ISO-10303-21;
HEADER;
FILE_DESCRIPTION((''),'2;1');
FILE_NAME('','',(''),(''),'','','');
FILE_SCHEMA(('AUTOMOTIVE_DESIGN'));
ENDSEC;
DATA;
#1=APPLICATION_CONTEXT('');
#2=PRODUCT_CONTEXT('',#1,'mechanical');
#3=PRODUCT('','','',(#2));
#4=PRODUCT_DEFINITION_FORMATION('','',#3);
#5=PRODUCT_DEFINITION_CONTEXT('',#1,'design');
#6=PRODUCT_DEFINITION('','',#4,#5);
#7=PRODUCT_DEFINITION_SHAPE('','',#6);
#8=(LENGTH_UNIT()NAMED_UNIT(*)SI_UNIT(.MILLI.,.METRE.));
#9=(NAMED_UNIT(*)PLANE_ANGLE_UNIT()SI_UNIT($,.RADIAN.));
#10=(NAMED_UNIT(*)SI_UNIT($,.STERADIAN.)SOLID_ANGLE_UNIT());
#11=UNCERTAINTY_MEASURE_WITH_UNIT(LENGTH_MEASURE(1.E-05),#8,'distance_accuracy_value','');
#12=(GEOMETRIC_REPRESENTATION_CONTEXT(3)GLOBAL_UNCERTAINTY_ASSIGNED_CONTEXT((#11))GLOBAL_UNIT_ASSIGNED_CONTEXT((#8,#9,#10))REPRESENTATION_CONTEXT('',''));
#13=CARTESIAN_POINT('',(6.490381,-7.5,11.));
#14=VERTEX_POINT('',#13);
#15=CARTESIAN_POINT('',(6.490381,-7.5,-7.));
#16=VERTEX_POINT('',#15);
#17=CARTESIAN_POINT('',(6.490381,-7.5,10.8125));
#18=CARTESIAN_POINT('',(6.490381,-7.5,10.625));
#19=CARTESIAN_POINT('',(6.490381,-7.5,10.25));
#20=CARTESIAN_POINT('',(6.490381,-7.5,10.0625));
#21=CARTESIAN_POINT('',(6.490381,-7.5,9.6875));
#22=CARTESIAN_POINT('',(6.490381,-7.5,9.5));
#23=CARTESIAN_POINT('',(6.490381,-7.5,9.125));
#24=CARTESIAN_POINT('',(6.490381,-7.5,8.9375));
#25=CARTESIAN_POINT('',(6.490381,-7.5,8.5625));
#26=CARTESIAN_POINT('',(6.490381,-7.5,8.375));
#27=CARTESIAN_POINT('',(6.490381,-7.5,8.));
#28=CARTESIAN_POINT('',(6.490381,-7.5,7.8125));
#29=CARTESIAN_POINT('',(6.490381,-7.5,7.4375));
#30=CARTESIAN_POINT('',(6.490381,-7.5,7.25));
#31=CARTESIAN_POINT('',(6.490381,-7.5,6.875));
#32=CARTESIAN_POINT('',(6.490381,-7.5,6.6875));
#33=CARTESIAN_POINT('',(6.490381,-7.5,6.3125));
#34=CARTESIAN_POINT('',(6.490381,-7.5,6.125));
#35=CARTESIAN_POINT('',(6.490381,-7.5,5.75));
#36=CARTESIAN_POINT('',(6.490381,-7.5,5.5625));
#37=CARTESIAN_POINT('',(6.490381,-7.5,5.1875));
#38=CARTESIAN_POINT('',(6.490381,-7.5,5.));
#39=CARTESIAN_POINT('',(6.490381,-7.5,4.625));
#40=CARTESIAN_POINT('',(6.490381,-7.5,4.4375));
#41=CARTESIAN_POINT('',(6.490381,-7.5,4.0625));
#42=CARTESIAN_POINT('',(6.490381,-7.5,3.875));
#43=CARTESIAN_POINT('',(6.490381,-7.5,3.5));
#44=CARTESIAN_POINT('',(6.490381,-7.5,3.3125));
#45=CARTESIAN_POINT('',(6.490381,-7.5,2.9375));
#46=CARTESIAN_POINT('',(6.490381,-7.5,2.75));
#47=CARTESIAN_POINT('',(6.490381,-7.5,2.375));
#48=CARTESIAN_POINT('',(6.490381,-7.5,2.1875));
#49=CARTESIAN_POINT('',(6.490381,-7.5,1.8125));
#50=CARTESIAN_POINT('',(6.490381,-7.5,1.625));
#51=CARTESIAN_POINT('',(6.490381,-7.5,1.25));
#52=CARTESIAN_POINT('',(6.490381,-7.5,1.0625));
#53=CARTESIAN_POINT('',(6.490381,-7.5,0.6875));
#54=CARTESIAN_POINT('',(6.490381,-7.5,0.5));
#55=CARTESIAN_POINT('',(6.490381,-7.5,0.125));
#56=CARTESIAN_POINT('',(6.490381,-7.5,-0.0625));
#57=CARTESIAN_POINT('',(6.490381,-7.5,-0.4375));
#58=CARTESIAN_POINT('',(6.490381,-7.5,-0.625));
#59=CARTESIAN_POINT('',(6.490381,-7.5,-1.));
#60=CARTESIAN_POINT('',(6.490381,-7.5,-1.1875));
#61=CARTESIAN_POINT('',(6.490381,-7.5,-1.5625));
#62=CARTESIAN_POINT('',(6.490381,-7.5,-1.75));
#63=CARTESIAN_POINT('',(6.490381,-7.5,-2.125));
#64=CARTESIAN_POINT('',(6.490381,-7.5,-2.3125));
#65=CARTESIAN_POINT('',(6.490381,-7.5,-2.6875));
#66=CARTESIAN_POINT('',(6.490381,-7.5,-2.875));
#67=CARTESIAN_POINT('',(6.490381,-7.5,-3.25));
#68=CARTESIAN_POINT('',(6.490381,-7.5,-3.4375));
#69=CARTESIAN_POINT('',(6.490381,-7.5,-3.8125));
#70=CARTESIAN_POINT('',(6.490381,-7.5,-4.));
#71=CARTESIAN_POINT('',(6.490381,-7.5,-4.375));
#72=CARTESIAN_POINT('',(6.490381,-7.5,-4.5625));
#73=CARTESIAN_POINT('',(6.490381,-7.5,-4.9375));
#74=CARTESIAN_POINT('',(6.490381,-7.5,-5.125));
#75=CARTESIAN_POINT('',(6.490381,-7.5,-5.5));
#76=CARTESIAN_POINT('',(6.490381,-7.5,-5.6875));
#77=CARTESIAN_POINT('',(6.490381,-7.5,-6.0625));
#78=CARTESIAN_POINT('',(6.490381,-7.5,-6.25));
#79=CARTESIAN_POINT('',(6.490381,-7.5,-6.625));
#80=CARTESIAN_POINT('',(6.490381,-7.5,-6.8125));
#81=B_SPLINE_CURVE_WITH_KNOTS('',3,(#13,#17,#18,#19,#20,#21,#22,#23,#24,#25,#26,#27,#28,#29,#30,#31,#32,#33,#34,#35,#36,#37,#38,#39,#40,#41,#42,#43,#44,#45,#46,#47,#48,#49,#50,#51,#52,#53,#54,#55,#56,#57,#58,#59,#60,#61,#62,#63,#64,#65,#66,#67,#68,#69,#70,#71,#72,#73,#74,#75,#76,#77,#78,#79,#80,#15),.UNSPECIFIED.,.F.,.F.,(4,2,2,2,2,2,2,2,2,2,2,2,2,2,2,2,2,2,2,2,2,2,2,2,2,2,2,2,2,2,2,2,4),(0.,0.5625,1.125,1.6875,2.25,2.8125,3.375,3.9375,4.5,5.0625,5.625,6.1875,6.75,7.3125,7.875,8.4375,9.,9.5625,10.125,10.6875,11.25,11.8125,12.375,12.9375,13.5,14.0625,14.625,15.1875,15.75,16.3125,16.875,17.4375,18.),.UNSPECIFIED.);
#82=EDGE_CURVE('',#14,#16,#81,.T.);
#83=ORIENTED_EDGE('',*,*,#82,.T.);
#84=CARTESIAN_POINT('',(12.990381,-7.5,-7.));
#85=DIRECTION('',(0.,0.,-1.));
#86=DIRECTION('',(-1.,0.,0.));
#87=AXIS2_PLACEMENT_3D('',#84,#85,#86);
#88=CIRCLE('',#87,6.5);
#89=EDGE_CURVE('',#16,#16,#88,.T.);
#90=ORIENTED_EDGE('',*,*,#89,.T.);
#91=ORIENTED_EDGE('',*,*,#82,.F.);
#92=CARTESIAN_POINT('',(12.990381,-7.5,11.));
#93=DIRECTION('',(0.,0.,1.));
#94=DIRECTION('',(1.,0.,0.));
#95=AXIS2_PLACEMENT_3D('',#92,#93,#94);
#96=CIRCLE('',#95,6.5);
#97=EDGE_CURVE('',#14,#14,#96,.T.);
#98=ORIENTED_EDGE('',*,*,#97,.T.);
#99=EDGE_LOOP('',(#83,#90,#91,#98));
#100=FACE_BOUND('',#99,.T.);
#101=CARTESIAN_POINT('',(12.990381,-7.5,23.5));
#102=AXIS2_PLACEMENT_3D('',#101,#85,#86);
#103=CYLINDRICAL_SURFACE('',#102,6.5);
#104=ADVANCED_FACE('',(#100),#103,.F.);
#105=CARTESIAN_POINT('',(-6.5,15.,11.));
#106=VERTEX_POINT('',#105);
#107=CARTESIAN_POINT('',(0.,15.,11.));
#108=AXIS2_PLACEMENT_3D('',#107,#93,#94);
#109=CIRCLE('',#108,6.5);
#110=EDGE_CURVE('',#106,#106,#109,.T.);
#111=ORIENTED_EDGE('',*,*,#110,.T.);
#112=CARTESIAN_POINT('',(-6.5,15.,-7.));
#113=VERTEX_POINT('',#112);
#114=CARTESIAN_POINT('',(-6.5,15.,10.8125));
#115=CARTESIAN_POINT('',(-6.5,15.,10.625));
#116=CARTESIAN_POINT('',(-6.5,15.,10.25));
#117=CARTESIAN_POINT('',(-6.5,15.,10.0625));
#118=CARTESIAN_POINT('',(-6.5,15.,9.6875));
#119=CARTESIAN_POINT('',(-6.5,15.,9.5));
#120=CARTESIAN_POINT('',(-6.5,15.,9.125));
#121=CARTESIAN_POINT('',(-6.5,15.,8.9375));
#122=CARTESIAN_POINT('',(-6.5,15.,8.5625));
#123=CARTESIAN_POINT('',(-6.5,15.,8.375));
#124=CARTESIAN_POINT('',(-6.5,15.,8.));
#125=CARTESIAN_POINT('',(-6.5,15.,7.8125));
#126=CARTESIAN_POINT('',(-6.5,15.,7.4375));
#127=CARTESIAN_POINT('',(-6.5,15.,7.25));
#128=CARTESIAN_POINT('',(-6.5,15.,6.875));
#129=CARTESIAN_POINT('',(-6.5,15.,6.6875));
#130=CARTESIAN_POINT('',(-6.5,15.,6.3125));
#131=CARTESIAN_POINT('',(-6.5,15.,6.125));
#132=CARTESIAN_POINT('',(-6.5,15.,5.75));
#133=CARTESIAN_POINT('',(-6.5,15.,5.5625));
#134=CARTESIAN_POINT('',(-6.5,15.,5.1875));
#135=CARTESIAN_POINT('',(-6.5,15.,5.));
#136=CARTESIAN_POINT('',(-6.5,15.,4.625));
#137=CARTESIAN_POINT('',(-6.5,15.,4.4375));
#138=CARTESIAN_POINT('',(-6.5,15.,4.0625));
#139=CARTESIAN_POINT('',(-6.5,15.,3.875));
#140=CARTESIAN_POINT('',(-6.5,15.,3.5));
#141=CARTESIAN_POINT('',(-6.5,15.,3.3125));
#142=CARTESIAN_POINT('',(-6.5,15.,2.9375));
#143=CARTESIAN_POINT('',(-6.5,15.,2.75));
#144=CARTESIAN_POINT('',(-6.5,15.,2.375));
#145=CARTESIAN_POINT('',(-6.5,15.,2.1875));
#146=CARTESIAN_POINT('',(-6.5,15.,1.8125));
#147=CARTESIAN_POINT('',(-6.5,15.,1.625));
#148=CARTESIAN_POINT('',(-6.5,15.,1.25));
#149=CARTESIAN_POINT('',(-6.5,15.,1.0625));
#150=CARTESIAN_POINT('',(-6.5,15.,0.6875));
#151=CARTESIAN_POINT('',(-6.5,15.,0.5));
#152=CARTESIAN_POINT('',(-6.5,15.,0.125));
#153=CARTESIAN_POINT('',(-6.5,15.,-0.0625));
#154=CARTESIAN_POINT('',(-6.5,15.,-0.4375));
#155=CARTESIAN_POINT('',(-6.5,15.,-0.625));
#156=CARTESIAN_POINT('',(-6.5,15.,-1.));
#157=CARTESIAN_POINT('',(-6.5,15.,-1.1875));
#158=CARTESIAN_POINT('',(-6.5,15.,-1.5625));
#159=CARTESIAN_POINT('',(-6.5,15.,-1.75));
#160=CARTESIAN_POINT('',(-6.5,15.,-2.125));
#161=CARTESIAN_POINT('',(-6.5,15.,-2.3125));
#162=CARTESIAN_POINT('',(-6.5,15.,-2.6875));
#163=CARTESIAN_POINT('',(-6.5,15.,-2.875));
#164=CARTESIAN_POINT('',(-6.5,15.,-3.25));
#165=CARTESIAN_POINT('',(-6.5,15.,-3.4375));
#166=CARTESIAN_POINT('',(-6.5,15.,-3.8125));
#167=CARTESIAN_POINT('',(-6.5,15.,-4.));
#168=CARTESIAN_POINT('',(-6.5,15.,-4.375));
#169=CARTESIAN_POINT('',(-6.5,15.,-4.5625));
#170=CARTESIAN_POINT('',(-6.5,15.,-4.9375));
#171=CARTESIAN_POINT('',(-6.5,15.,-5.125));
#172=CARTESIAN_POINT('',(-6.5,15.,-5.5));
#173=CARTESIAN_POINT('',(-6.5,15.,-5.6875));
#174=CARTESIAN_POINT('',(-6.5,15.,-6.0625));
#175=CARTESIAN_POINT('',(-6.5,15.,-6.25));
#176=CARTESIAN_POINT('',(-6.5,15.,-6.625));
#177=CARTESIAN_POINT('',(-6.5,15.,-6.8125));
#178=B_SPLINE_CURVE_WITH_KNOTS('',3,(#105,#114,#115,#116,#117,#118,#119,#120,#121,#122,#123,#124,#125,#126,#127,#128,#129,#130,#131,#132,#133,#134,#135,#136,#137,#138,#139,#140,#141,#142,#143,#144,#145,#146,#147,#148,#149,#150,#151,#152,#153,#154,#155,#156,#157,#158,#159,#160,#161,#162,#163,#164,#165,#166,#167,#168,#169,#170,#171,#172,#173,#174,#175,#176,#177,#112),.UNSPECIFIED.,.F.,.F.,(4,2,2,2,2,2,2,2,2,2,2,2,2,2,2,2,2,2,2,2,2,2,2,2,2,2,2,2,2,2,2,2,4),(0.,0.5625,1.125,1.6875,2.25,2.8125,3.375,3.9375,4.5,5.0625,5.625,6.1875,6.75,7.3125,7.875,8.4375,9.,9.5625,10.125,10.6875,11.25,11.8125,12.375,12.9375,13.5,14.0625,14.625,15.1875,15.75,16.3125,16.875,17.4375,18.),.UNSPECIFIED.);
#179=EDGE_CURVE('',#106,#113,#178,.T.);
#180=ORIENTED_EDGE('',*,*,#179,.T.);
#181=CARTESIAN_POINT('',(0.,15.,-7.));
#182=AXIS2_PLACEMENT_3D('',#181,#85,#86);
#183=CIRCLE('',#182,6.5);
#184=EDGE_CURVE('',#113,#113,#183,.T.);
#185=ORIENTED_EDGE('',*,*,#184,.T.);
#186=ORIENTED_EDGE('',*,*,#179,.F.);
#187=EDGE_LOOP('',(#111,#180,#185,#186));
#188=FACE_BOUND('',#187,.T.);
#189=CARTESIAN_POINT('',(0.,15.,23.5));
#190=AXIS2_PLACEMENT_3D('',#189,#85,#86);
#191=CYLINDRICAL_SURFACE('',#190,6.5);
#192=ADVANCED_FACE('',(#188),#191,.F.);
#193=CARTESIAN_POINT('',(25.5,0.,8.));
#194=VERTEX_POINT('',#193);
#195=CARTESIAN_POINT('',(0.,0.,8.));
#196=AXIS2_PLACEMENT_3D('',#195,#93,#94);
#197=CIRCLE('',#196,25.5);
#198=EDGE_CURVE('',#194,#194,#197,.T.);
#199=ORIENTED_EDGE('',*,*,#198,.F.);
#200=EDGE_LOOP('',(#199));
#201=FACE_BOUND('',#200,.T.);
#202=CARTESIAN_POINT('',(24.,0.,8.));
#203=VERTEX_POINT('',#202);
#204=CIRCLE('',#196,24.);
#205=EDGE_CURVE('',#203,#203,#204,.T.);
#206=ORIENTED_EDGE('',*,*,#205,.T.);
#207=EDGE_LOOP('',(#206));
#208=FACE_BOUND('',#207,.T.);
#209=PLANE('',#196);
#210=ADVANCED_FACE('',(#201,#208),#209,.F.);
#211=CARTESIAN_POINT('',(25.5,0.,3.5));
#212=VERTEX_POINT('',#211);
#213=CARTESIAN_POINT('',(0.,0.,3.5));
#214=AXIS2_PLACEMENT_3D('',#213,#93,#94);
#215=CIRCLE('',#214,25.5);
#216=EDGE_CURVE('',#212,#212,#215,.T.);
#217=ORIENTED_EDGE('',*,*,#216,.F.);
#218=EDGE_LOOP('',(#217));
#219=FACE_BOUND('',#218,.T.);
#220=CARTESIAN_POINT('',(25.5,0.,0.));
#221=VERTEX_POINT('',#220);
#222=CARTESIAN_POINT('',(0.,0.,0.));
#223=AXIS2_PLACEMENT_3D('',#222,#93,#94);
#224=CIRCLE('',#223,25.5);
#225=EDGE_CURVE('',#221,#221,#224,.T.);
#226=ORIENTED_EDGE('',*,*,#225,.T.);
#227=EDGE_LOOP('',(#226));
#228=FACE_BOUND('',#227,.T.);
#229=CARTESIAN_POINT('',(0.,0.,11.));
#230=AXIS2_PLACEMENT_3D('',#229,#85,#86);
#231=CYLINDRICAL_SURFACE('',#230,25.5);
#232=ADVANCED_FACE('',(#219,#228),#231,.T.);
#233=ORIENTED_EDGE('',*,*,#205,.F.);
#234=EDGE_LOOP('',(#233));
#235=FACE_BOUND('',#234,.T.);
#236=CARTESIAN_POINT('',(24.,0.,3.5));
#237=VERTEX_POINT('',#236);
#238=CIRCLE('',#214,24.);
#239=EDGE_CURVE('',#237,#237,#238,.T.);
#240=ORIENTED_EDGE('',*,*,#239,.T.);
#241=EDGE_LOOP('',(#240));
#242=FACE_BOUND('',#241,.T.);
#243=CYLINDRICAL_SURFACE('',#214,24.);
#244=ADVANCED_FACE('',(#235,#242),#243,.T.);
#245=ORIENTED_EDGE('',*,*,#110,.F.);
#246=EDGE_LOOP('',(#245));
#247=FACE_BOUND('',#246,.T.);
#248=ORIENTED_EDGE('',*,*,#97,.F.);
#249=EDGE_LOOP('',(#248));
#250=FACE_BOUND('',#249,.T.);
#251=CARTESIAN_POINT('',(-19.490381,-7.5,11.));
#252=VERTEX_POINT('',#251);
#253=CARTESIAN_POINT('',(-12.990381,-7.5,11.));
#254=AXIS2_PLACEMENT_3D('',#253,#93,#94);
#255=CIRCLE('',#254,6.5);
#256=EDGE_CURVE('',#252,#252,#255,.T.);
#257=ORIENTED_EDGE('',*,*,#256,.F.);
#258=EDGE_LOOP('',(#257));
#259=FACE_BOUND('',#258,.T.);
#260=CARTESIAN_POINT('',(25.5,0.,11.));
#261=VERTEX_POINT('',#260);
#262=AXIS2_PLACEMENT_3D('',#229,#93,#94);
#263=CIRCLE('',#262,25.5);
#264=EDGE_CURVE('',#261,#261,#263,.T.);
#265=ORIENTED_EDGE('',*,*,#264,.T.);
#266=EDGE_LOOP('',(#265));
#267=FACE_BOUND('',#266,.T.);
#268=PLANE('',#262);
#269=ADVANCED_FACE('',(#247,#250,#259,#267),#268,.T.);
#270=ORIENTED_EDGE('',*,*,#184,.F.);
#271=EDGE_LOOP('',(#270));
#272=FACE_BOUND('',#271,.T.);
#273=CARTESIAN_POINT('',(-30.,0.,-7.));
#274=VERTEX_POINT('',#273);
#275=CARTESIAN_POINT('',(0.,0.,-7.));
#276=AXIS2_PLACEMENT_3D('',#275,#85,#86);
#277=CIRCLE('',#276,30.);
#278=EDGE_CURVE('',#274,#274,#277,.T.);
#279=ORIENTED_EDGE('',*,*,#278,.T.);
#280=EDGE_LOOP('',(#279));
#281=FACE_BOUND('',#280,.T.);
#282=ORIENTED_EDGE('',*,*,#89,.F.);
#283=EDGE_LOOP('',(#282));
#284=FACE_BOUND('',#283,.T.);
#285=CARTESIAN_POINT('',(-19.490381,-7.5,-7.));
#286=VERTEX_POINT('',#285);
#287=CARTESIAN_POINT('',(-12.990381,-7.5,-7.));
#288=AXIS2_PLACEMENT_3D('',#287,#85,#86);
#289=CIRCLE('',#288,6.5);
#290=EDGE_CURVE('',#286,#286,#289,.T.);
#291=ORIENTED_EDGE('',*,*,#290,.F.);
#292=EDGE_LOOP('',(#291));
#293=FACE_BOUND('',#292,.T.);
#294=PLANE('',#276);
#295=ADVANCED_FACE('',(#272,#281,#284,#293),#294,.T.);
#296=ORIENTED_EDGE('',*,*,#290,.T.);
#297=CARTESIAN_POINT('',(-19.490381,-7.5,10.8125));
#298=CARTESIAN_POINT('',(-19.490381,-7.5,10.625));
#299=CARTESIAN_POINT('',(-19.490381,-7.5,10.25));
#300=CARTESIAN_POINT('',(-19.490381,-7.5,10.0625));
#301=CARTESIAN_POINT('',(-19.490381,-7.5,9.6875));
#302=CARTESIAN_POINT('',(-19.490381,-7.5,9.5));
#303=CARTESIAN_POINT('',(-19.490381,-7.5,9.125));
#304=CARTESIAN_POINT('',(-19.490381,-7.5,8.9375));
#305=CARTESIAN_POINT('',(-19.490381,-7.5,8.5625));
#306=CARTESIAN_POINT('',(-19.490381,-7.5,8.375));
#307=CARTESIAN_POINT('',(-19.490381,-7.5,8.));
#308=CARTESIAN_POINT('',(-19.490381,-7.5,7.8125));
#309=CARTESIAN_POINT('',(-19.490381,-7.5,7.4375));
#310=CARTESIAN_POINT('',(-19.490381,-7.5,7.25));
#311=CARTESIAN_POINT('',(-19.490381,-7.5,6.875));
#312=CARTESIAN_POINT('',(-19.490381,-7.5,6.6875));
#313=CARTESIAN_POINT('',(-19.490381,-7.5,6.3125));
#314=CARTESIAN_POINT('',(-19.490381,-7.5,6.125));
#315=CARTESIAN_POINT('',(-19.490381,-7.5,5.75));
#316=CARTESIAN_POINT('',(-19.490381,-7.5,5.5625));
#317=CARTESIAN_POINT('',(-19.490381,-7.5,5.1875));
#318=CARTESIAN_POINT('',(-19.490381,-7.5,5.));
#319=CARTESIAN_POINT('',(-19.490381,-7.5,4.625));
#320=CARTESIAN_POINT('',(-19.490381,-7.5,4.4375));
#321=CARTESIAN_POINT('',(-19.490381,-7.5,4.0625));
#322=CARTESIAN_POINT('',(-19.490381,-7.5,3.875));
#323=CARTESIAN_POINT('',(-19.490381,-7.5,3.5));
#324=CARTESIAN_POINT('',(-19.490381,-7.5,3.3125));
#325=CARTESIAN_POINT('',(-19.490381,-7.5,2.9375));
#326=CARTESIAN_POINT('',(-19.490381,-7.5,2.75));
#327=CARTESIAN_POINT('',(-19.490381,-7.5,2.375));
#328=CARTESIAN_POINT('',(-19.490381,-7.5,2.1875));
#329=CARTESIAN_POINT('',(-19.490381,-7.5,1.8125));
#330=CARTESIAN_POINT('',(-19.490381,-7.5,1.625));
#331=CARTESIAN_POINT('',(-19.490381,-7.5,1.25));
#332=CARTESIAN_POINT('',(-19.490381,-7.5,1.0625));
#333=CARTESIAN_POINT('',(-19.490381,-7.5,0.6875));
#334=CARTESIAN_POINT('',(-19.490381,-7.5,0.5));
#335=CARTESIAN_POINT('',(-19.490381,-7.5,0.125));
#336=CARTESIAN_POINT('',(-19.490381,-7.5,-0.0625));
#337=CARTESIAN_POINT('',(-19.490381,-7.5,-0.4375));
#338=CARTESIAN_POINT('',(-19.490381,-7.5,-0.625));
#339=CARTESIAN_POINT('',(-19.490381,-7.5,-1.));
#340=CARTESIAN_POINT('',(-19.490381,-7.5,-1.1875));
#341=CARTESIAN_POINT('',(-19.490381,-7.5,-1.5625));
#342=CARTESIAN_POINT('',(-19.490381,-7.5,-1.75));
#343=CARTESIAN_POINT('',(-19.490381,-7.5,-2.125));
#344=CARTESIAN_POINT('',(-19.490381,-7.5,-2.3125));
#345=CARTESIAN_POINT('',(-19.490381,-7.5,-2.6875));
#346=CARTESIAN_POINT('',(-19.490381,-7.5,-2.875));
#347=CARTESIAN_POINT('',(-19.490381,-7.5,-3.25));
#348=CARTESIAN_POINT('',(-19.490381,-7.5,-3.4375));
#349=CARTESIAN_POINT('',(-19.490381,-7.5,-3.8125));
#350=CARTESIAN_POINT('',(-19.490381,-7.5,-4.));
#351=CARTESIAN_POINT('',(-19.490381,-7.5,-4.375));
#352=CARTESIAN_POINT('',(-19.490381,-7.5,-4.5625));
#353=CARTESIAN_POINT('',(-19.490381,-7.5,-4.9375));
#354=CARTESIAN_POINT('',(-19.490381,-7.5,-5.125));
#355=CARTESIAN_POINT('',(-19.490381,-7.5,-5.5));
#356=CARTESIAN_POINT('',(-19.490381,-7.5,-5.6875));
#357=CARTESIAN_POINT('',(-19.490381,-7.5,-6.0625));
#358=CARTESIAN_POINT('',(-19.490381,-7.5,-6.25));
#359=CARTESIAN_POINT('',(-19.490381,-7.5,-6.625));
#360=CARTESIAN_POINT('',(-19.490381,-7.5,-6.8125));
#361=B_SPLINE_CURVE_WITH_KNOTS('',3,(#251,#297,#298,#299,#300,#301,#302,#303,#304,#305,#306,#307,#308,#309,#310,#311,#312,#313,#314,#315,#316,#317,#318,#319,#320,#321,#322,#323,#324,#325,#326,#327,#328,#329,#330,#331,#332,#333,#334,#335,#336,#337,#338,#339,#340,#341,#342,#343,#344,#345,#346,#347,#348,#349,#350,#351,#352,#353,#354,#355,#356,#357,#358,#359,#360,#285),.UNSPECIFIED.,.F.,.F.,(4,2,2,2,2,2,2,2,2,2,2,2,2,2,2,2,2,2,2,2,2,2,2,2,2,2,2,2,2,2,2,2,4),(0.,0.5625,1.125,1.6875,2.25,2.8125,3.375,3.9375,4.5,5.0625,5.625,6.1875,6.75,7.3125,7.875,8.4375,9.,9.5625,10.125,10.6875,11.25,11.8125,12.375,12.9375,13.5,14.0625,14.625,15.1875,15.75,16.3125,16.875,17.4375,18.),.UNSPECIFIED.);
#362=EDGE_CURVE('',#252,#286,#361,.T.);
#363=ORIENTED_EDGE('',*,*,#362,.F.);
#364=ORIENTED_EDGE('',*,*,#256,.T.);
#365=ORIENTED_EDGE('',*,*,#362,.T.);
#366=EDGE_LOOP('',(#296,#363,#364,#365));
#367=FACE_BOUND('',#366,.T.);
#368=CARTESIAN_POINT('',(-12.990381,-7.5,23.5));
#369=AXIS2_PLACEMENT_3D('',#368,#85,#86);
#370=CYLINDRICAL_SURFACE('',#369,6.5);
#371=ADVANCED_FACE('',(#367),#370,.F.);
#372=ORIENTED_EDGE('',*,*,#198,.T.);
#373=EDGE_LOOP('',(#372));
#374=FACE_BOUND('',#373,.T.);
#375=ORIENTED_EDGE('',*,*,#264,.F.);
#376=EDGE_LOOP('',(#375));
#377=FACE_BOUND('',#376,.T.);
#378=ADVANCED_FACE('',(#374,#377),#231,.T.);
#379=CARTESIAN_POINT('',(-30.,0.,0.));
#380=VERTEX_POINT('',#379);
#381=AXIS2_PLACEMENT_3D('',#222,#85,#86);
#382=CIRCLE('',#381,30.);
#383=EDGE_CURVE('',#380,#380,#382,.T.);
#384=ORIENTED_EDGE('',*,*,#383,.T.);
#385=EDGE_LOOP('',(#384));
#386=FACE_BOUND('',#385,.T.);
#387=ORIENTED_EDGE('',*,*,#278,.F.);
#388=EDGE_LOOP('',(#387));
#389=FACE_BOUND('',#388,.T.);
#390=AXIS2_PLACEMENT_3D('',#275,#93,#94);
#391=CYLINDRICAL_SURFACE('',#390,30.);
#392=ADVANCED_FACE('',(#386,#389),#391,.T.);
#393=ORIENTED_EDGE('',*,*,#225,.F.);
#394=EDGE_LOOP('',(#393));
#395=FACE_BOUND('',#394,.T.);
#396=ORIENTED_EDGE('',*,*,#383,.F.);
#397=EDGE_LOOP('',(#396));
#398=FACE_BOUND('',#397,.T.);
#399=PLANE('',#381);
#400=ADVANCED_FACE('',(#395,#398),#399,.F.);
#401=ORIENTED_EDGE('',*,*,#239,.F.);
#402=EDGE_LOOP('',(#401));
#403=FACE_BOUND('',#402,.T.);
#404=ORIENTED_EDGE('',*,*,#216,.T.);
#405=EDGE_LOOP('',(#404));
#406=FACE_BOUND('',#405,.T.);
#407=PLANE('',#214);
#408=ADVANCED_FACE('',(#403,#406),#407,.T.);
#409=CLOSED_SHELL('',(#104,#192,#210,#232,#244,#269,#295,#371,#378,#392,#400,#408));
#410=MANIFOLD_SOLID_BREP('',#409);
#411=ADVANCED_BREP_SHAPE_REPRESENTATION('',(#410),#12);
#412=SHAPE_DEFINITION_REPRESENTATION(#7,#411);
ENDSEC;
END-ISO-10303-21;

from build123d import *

# Parameters (mm, degrees)
SKETCH1_R           = 25.5
BOSS_EXTRUDE1_DEPTH = 11
SKETCH2_R           = 30
BOSS_EXTRUDE2_DEPTH = 7
SKETCH3_R           = 37.476082354
SKETCH3_R_2         = 24
CUT_EXTRUDE1_DEPTH  = 4.5
SKETCH5_R           = 6.5
CUT_EXTRUDE2_DEPTH  = 30.5


with BuildPart() as part:
    # Sketch1 → Boss-Extrude1 (new body)
    with BuildSketch(Plane.XY):
        Circle(SKETCH1_R)
    extrude(amount=BOSS_EXTRUDE1_DEPTH)

    # Sketch2 → Boss-Extrude2 (add)
    with BuildSketch(Plane(origin=(0, 0, 0), x_dir=(-1, 0, 0), z_dir=(0, 0, -1))):
        Circle(SKETCH2_R)
    extrude(amount=BOSS_EXTRUDE2_DEPTH)

    # Sketch3 → Cut-Extrude1 (cut)
    with BuildSketch(Plane.XY.offset(8)):
        Circle(SKETCH3_R)
        Circle(SKETCH3_R_2, mode=Mode.SUBTRACT)
    extrude(amount=-CUT_EXTRUDE1_DEPTH, mode=Mode.SUBTRACT)

    # Sketch5 → Cut-Extrude2 (cut)
    with BuildSketch(Plane(origin=(0, 0, -7), x_dir=(-1, 0, 0), z_dir=(0, 0, -1))):
        with Locations((0, 15)):
            Circle(SKETCH5_R)
        with Locations((-12.990381057, -7.5)):
            Circle(SKETCH5_R)
        with Locations((12.990381057, -7.5)):
            Circle(SKETCH5_R)
    extrude(amount=-CUT_EXTRUDE2_DEPTH, mode=Mode.SUBTRACT)


solid = part.part
